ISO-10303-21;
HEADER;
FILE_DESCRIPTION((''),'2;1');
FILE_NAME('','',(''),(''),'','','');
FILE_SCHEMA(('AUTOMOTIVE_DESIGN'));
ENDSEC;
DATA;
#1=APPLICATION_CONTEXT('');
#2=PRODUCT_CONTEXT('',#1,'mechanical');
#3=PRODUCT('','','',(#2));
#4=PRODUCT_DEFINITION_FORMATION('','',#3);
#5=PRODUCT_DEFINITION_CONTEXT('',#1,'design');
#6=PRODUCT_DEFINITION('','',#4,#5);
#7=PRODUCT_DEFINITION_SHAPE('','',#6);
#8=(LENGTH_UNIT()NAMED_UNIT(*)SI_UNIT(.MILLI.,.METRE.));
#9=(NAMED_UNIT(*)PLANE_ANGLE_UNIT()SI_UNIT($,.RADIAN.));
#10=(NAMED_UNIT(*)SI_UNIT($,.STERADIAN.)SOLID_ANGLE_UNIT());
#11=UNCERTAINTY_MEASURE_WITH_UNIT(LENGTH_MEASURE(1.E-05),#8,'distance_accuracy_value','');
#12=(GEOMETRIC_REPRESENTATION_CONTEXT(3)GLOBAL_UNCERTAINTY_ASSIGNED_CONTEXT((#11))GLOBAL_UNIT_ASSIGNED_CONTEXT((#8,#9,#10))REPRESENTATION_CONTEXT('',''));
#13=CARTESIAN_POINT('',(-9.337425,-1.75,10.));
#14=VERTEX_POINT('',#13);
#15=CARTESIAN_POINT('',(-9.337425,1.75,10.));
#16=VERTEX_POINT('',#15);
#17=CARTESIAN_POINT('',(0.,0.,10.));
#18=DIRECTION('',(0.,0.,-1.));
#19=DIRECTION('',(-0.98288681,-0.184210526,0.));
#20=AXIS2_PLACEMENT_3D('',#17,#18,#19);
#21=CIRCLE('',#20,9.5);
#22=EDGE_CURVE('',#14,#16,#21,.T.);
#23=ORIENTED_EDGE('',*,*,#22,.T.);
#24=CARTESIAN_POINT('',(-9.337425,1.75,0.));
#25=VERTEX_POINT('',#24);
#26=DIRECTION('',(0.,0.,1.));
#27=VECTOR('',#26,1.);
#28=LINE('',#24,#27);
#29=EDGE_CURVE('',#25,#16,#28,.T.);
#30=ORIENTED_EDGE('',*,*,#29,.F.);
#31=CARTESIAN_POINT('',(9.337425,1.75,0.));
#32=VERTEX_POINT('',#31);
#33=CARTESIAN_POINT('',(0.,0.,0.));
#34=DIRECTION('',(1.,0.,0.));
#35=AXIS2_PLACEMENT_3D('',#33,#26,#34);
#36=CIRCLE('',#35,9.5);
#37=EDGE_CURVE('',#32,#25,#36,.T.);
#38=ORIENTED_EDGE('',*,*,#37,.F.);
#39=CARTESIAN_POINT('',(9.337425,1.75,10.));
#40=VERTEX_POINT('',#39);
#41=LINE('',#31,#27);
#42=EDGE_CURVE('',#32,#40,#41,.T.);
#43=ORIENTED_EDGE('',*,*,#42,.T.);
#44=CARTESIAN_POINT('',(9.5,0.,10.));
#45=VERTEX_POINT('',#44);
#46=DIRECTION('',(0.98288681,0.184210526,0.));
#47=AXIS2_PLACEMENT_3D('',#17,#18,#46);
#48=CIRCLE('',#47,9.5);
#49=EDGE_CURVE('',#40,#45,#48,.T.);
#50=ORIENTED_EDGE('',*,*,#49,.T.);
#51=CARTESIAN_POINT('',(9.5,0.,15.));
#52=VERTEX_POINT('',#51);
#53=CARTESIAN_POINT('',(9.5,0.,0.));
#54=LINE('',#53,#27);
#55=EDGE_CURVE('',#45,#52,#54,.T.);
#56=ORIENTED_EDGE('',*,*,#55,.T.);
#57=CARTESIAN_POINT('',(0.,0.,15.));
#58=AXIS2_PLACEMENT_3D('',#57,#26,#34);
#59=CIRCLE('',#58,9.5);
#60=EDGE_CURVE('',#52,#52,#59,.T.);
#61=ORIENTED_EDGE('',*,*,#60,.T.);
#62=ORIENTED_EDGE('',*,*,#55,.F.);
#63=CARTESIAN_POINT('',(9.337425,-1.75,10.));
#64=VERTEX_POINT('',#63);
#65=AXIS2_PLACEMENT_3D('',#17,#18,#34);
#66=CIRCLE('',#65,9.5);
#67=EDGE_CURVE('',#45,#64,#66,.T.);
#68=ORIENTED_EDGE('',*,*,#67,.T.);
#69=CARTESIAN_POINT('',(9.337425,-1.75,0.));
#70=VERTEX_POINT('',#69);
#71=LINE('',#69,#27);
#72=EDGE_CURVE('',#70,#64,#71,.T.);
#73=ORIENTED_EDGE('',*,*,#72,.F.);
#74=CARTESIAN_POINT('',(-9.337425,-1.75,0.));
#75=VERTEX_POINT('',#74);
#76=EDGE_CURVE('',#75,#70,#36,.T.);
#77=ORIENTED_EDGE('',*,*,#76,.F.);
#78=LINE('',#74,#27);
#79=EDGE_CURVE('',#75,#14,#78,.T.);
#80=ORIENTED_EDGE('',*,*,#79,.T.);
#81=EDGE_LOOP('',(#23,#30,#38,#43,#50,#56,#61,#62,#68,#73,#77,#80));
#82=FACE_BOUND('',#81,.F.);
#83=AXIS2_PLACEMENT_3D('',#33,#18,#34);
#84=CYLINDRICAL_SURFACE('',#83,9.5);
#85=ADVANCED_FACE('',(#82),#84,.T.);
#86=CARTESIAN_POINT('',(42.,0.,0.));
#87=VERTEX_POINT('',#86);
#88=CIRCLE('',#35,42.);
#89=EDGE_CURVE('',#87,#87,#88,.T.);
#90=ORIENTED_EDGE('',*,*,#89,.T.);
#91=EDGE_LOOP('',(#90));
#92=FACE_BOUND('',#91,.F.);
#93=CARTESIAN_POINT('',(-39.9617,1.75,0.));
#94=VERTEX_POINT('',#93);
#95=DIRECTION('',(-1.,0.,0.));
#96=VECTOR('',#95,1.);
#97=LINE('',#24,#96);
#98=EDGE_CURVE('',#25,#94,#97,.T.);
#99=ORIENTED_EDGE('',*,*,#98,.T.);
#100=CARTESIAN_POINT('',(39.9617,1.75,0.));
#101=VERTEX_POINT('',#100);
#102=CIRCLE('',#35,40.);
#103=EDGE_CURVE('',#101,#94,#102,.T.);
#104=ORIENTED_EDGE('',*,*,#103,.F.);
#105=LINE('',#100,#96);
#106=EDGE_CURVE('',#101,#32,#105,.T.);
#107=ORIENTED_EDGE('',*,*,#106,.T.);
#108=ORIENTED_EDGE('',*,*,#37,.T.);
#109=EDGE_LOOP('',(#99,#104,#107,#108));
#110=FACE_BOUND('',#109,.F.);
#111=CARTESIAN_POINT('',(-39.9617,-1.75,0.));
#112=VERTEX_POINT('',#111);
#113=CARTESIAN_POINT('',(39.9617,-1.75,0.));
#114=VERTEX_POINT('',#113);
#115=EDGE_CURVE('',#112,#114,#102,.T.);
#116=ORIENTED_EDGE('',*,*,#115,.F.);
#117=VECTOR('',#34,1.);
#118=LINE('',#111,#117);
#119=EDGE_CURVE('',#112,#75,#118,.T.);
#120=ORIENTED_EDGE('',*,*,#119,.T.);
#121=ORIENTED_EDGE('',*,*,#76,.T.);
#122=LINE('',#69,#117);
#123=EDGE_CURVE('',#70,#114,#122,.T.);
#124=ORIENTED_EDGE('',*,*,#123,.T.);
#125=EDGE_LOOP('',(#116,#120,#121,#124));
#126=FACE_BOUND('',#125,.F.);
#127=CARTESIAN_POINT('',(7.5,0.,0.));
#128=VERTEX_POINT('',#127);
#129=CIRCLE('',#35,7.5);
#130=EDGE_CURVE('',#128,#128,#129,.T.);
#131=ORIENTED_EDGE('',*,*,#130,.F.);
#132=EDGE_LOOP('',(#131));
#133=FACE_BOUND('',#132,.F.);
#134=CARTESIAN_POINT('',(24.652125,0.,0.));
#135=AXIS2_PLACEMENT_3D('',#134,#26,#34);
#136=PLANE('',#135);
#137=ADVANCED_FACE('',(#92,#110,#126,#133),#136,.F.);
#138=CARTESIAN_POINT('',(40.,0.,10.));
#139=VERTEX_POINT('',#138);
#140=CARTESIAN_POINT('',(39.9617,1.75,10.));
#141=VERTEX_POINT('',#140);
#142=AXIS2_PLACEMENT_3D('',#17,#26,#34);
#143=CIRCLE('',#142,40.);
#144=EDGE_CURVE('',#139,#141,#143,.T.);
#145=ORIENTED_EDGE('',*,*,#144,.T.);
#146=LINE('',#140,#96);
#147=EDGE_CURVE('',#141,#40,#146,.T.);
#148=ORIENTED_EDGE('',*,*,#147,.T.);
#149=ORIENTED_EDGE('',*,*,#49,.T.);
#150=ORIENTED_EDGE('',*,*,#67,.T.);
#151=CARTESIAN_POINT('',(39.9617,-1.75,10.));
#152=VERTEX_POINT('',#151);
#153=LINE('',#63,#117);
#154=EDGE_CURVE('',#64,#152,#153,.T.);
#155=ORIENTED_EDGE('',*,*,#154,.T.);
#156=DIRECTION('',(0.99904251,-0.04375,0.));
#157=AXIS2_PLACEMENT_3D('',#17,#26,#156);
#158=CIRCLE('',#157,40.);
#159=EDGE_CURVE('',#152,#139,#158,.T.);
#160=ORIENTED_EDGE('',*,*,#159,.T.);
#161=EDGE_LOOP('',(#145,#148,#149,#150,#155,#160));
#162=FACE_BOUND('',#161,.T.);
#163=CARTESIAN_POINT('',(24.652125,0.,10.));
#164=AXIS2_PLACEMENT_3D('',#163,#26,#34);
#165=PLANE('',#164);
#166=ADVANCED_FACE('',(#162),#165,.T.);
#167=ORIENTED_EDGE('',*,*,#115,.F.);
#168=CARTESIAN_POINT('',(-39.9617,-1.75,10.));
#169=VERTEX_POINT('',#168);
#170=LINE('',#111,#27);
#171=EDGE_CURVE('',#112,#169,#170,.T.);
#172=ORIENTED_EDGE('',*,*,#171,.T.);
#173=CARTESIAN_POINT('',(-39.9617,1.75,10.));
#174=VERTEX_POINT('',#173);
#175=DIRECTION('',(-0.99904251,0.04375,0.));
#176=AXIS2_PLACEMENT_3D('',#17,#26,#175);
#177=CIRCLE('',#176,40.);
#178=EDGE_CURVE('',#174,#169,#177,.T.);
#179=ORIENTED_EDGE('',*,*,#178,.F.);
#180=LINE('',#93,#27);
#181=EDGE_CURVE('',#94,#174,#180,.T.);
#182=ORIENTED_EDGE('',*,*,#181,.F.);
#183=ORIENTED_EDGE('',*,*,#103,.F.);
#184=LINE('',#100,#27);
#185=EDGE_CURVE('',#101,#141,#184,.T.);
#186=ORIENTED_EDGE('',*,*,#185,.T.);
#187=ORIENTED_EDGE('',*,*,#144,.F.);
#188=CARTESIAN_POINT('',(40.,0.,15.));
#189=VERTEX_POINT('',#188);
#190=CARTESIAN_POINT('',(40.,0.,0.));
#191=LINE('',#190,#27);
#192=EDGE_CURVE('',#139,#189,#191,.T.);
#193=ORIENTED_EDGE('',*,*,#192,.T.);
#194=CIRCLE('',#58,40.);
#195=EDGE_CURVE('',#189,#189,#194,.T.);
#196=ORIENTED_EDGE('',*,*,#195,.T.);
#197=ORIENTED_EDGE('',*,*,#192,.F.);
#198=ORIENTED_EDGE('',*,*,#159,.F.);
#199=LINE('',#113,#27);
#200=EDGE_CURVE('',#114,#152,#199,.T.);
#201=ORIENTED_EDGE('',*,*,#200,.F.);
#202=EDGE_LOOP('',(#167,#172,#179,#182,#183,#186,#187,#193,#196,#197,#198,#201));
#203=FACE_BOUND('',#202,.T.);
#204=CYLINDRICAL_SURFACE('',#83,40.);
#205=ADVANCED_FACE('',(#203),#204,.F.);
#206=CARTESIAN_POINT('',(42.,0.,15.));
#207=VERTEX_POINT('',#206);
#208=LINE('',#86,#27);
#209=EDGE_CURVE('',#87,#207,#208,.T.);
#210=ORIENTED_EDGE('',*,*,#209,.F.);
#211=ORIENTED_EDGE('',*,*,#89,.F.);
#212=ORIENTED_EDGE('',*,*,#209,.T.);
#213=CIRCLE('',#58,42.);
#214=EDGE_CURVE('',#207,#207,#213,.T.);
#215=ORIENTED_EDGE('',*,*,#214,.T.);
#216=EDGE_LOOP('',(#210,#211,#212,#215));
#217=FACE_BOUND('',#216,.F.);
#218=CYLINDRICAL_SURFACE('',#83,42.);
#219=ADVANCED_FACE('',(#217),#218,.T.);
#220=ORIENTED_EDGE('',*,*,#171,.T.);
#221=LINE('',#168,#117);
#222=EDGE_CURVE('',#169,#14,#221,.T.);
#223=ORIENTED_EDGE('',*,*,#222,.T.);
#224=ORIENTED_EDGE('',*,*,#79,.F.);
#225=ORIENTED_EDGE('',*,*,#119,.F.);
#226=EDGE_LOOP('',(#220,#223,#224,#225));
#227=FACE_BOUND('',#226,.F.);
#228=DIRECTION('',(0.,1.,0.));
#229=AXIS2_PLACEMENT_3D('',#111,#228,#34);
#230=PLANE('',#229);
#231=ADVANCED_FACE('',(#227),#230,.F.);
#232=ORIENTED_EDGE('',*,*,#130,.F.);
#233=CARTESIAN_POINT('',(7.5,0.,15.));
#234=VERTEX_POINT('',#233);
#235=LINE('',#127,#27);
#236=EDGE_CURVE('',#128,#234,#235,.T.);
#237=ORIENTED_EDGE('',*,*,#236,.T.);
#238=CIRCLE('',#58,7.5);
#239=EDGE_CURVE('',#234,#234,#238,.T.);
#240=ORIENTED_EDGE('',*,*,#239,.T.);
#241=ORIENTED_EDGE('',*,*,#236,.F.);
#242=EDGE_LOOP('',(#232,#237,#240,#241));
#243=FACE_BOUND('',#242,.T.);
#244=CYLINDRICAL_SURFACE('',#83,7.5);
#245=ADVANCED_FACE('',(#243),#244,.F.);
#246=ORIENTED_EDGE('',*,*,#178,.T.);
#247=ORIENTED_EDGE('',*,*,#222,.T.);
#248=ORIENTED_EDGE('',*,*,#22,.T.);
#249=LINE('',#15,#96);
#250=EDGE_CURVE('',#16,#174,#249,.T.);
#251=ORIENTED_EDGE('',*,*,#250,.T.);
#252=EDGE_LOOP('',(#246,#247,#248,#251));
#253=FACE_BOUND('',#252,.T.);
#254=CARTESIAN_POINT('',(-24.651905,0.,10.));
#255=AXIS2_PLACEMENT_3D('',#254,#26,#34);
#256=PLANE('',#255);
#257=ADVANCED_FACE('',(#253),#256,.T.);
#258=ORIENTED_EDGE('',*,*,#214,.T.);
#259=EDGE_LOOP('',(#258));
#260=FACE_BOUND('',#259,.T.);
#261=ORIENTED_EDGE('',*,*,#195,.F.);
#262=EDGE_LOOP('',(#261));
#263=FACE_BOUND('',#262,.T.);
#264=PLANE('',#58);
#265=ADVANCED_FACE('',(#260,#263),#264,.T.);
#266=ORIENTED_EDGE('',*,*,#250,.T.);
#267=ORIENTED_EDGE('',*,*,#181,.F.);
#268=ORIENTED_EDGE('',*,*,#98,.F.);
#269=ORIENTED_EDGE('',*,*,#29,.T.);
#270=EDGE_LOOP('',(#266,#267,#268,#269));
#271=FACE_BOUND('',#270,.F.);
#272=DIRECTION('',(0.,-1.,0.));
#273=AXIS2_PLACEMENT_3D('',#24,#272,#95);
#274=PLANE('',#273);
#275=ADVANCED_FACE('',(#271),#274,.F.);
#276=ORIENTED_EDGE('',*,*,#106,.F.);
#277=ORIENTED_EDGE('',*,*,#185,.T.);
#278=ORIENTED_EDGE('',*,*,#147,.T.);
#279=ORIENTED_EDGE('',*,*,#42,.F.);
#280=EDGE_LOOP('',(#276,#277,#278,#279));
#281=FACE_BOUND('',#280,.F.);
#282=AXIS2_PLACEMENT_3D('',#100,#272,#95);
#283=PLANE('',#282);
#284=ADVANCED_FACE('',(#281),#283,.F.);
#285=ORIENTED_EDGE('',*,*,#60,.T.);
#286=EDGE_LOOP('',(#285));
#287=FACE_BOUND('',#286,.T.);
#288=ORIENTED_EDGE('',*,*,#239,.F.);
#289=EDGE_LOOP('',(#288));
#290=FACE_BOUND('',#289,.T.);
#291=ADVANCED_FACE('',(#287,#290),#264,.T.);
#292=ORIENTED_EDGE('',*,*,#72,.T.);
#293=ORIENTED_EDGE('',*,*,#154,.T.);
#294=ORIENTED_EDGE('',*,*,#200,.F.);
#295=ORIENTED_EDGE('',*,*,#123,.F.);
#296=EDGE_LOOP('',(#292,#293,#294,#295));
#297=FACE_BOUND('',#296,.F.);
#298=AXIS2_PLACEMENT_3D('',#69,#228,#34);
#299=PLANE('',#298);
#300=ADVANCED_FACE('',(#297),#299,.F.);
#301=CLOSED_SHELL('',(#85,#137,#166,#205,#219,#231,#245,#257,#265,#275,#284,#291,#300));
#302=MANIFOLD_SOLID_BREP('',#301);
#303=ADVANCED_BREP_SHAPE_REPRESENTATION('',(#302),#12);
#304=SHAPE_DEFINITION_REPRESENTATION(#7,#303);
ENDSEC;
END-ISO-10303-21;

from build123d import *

# Parameters (mm, degrees)
F0_R     = 42
F0_R_2   = 40
F1_DEPTH = 15
F0_R_3   = 9.5
F0_R_4   = 7.5
F3_DEPTH = 10


with BuildPart() as f1:
    # F0 (on Top) → F1 (new body)
    with BuildSketch(Plane.XY):
        Circle(F0_R)
        Circle(F0_R_2, mode=Mode.SUBTRACT)
    extrude(amount=F1_DEPTH)



with BuildPart() as f1b:
    # F0 (on Top) → F1, piece 2 (new body)
    with BuildSketch(Plane.XY):
        Circle(F0_R_3)
        Circle(F0_R_4, mode=Mode.SUBTRACT)
    extrude(amount=F1_DEPTH)


with BuildPart() as f1_1:
    add(f1.part)

    add(f1b.part)  # F3 merges F1b
    # F2 (on Top) → F3 (join)
    with BuildSketch(Plane.XY):
        with BuildLine():
            ThreePointArc((39.9617004143, -1.75), (39.9904239573, -0.8752095261), (40, 0))
            ThreePointArc((40, 0), (39.9904239573, 0.8752095261), (39.9617004143, 1.75))
            Line((39.9617004143, 1.75), (9.3374246985, 1.75))
            ThreePointArc((9.3374246985, 1.75), (9.4592688575, 0.8787677066), (9.5, 0))
            ThreePointArc((9.5, 0), (9.4592688575, -0.8787677066), (9.3374246985, -1.75))
            Line((9.3374246985, -1.75), (39.9617004143, -1.75))
        make_face()
        with BuildLine():
            Line((-9.3374246985, 1.75), (-39.9617004143, 1.75))
            ThreePointArc((-39.9617004143, 1.75), (-40, 0), (-39.9617004143, -1.75))
            Line((-39.9617004143, -1.75), (-9.3374246985, -1.75))
            ThreePointArc((-9.3374246985, -1.75), (-9.5, 0), (-9.3374246985, 1.75))
        make_face()
    extrude(amount=F3_DEPTH)


solid = f1_1.part
